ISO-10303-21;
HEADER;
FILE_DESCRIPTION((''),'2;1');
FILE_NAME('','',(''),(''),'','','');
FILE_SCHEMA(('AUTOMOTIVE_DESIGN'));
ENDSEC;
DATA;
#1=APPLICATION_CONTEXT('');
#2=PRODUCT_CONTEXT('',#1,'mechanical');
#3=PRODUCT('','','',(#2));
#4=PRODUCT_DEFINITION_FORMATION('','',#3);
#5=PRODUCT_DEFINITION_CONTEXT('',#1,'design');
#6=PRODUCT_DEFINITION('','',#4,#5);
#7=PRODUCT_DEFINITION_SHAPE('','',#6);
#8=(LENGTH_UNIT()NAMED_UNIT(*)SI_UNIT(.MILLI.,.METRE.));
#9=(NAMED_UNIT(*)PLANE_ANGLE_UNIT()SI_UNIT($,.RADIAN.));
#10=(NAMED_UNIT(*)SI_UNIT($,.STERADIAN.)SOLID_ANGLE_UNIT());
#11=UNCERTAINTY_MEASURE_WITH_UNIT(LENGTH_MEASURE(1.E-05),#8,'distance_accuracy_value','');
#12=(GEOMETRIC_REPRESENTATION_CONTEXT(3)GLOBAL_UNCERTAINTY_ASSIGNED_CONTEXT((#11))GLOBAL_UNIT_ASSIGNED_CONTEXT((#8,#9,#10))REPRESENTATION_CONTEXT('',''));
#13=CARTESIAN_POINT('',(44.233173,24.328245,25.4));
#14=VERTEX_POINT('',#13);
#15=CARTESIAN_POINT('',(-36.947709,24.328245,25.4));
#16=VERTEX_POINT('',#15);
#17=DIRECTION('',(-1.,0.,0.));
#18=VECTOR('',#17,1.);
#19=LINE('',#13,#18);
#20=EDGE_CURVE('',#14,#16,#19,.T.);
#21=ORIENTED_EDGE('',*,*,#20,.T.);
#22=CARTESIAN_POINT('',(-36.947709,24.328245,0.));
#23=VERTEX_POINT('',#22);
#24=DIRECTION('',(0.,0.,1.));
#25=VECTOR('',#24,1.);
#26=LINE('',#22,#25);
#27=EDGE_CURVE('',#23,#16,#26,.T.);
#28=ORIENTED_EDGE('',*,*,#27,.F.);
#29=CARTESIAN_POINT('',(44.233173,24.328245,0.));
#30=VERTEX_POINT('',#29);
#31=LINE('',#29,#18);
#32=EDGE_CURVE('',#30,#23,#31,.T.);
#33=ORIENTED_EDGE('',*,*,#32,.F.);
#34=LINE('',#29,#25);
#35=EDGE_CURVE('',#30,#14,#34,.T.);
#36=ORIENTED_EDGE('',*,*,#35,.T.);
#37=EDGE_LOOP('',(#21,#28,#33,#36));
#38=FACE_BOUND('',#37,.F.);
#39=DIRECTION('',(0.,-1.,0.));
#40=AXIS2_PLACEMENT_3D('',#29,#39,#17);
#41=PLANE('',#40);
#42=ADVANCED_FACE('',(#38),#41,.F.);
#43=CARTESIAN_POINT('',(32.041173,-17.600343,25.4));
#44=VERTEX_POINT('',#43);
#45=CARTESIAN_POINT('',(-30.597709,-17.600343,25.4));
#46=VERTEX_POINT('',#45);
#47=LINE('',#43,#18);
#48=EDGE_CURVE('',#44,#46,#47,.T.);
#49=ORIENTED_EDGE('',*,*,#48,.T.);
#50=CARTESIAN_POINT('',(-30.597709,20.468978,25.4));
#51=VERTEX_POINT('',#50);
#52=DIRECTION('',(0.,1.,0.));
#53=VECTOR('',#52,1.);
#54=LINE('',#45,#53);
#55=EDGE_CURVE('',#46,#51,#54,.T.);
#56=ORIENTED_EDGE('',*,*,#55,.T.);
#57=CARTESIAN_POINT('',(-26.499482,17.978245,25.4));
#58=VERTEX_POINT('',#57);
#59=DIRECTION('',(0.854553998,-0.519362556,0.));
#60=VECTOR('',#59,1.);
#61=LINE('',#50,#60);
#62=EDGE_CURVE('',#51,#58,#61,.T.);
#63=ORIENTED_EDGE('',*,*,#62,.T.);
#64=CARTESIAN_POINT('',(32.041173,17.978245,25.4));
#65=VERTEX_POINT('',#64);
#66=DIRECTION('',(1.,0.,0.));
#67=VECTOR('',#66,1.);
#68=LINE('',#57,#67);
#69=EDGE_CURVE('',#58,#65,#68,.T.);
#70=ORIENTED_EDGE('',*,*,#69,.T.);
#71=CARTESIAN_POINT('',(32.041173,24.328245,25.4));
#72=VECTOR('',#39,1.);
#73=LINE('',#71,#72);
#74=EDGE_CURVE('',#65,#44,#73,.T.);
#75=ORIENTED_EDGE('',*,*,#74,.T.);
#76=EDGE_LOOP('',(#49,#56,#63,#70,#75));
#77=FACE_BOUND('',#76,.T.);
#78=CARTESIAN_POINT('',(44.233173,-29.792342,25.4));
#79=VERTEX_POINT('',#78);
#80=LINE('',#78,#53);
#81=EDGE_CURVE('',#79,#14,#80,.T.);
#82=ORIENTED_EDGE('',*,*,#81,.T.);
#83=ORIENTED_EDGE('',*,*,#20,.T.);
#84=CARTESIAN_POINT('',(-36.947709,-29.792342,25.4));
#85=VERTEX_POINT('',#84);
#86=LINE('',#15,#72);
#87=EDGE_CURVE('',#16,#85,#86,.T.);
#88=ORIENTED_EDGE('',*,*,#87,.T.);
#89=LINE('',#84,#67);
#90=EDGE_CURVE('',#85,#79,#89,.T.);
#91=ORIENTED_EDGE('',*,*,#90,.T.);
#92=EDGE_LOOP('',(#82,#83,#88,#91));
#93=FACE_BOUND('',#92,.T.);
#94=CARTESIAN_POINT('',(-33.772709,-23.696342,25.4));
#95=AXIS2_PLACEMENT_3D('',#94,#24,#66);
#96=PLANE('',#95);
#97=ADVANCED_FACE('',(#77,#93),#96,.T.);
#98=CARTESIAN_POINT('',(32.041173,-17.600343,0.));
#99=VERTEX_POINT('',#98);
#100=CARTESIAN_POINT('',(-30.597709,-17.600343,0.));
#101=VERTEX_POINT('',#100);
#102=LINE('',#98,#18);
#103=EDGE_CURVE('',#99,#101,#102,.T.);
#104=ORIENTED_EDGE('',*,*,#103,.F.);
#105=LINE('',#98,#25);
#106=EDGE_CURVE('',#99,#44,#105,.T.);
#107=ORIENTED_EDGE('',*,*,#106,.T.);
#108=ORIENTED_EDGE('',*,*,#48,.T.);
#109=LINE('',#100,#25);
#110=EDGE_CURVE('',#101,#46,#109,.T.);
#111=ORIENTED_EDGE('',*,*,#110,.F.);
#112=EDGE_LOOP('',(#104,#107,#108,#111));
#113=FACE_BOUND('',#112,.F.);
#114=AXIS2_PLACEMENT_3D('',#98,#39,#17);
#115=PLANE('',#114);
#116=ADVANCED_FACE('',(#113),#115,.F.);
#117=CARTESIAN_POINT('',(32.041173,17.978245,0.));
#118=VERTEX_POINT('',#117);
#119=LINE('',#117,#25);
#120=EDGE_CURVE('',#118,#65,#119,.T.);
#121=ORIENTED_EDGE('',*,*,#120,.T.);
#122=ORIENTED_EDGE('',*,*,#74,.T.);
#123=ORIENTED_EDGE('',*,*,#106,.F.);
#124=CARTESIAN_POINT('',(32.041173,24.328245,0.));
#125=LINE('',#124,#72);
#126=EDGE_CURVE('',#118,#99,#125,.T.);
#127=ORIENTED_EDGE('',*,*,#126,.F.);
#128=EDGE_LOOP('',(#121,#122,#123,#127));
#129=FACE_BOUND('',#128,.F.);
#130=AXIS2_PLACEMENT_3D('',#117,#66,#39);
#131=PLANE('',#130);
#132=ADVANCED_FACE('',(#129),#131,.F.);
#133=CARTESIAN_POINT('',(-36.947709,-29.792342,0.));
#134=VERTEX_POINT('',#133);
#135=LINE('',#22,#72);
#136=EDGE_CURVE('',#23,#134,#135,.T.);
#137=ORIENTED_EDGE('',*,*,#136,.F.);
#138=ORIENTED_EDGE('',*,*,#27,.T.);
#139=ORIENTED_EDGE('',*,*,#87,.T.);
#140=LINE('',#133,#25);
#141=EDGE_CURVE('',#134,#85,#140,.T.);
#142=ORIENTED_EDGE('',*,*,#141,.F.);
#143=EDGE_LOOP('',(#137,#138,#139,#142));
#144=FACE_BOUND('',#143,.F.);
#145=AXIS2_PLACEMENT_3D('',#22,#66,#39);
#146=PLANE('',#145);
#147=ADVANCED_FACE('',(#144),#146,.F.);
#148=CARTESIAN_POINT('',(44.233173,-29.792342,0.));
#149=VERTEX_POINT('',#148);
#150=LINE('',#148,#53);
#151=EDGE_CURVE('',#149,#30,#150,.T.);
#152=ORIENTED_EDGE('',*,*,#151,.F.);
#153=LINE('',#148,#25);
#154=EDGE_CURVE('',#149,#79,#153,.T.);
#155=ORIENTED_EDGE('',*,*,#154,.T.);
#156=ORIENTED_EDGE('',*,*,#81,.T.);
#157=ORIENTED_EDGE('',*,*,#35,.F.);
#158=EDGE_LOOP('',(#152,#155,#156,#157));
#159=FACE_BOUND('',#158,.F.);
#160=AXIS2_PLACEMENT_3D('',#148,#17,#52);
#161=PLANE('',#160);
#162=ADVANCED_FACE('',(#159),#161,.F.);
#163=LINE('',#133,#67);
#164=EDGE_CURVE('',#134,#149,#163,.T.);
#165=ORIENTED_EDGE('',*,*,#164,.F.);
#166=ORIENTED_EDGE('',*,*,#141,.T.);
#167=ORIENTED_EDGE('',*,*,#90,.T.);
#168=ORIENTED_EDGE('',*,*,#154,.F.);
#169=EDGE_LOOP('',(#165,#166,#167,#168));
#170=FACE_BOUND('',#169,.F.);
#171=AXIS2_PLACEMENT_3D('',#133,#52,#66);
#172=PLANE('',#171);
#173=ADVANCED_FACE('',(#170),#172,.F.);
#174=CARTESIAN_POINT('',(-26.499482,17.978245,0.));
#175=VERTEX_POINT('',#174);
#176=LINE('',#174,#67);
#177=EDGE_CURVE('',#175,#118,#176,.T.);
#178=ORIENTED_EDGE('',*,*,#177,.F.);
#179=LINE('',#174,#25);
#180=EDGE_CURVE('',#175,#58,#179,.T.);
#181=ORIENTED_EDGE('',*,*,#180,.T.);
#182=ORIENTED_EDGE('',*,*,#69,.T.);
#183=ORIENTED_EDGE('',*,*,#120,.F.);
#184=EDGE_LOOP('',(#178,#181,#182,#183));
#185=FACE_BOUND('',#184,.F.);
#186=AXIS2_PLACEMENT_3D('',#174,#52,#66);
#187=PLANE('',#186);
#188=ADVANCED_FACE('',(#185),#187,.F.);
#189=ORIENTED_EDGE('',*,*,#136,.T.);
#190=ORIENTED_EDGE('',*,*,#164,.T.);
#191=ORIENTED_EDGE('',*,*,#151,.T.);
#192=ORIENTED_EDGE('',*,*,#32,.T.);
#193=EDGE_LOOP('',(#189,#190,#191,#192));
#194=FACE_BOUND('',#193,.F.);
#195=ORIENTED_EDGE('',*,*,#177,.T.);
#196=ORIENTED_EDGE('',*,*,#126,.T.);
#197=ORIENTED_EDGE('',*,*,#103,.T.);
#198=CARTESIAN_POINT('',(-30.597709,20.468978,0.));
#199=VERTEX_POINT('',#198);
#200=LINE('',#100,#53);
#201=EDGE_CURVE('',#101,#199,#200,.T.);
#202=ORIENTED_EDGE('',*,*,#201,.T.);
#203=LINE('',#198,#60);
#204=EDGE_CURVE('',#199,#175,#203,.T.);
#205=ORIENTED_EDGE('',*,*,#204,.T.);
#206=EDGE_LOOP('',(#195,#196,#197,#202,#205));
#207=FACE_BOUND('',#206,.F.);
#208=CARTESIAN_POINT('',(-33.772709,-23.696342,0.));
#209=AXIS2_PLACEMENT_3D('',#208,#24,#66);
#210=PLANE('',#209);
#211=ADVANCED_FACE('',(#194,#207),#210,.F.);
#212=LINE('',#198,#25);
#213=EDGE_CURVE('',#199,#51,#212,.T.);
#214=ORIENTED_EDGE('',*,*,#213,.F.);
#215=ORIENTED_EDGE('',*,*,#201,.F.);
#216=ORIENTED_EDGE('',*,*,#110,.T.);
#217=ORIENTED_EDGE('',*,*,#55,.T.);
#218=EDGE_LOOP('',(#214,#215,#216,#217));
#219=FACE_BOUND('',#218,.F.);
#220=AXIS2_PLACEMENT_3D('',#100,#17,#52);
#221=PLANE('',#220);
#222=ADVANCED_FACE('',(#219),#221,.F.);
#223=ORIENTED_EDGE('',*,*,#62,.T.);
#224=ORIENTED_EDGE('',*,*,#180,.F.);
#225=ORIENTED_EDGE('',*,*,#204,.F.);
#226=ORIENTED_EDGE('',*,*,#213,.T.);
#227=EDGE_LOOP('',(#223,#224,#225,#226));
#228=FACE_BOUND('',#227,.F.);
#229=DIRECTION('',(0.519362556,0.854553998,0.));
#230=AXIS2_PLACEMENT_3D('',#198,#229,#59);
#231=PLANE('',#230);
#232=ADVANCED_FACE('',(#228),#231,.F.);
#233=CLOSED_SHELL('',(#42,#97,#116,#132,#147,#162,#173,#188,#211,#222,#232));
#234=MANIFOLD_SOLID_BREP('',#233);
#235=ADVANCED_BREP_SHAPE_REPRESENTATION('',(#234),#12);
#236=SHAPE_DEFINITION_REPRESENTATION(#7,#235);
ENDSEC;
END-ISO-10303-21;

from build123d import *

# Parameters (mm, degrees)
F0_W     = 6.35
F0_H     = 12.1919997036
F0_H_2   = 35.5785874814
F0_W_2   = 12.1919997036
F0_H_3   = 6.35
F1_DEPTH = 25.4


with BuildPart() as f1:
    # F0 (on Top) → F1 (new body)
    with BuildSketch(Plane.XY):
        with Locations((-33.7727085769, -23.6963424832)):
            Rectangle(F0_W, F0_H)
        Polygon((-30.5977085769, -17.6003426313), (-30.5977085769, -29.792342335), (44.2331731319, -29.792342335), (44.2331731319, 17.97824485), (32.0411734283, 17.97824485), (32.0411734283, -17.6003426313), align=None)
        with Locations((-33.7727085769, 0.1889511093)):
            Rectangle(F0_W, F0_H_2)
        Polygon((-36.9477085769, 24.32824485), (-36.9477085769, 17.97824485), (-30.5977085769, 17.97824485), (-30.5977085769, 20.4689776353), align=None)
        with Locations((38.1371732801, 21.15324485)):
            Rectangle(F0_W_2, F0_H_3)
        Polygon((-30.5977085769, 24.32824485), (-36.9477085769, 24.32824485), (-30.5977085769, 20.4689776353), align=None)
        Polygon((-26.4994815545, 17.97824485), (32.0411734283, 17.97824485), (32.0411734283, 24.32824485), (-30.5977085769, 24.32824485), (-30.5977085769, 20.4689776353), align=None)
    extrude(amount=F1_DEPTH)


solid = f1.part
